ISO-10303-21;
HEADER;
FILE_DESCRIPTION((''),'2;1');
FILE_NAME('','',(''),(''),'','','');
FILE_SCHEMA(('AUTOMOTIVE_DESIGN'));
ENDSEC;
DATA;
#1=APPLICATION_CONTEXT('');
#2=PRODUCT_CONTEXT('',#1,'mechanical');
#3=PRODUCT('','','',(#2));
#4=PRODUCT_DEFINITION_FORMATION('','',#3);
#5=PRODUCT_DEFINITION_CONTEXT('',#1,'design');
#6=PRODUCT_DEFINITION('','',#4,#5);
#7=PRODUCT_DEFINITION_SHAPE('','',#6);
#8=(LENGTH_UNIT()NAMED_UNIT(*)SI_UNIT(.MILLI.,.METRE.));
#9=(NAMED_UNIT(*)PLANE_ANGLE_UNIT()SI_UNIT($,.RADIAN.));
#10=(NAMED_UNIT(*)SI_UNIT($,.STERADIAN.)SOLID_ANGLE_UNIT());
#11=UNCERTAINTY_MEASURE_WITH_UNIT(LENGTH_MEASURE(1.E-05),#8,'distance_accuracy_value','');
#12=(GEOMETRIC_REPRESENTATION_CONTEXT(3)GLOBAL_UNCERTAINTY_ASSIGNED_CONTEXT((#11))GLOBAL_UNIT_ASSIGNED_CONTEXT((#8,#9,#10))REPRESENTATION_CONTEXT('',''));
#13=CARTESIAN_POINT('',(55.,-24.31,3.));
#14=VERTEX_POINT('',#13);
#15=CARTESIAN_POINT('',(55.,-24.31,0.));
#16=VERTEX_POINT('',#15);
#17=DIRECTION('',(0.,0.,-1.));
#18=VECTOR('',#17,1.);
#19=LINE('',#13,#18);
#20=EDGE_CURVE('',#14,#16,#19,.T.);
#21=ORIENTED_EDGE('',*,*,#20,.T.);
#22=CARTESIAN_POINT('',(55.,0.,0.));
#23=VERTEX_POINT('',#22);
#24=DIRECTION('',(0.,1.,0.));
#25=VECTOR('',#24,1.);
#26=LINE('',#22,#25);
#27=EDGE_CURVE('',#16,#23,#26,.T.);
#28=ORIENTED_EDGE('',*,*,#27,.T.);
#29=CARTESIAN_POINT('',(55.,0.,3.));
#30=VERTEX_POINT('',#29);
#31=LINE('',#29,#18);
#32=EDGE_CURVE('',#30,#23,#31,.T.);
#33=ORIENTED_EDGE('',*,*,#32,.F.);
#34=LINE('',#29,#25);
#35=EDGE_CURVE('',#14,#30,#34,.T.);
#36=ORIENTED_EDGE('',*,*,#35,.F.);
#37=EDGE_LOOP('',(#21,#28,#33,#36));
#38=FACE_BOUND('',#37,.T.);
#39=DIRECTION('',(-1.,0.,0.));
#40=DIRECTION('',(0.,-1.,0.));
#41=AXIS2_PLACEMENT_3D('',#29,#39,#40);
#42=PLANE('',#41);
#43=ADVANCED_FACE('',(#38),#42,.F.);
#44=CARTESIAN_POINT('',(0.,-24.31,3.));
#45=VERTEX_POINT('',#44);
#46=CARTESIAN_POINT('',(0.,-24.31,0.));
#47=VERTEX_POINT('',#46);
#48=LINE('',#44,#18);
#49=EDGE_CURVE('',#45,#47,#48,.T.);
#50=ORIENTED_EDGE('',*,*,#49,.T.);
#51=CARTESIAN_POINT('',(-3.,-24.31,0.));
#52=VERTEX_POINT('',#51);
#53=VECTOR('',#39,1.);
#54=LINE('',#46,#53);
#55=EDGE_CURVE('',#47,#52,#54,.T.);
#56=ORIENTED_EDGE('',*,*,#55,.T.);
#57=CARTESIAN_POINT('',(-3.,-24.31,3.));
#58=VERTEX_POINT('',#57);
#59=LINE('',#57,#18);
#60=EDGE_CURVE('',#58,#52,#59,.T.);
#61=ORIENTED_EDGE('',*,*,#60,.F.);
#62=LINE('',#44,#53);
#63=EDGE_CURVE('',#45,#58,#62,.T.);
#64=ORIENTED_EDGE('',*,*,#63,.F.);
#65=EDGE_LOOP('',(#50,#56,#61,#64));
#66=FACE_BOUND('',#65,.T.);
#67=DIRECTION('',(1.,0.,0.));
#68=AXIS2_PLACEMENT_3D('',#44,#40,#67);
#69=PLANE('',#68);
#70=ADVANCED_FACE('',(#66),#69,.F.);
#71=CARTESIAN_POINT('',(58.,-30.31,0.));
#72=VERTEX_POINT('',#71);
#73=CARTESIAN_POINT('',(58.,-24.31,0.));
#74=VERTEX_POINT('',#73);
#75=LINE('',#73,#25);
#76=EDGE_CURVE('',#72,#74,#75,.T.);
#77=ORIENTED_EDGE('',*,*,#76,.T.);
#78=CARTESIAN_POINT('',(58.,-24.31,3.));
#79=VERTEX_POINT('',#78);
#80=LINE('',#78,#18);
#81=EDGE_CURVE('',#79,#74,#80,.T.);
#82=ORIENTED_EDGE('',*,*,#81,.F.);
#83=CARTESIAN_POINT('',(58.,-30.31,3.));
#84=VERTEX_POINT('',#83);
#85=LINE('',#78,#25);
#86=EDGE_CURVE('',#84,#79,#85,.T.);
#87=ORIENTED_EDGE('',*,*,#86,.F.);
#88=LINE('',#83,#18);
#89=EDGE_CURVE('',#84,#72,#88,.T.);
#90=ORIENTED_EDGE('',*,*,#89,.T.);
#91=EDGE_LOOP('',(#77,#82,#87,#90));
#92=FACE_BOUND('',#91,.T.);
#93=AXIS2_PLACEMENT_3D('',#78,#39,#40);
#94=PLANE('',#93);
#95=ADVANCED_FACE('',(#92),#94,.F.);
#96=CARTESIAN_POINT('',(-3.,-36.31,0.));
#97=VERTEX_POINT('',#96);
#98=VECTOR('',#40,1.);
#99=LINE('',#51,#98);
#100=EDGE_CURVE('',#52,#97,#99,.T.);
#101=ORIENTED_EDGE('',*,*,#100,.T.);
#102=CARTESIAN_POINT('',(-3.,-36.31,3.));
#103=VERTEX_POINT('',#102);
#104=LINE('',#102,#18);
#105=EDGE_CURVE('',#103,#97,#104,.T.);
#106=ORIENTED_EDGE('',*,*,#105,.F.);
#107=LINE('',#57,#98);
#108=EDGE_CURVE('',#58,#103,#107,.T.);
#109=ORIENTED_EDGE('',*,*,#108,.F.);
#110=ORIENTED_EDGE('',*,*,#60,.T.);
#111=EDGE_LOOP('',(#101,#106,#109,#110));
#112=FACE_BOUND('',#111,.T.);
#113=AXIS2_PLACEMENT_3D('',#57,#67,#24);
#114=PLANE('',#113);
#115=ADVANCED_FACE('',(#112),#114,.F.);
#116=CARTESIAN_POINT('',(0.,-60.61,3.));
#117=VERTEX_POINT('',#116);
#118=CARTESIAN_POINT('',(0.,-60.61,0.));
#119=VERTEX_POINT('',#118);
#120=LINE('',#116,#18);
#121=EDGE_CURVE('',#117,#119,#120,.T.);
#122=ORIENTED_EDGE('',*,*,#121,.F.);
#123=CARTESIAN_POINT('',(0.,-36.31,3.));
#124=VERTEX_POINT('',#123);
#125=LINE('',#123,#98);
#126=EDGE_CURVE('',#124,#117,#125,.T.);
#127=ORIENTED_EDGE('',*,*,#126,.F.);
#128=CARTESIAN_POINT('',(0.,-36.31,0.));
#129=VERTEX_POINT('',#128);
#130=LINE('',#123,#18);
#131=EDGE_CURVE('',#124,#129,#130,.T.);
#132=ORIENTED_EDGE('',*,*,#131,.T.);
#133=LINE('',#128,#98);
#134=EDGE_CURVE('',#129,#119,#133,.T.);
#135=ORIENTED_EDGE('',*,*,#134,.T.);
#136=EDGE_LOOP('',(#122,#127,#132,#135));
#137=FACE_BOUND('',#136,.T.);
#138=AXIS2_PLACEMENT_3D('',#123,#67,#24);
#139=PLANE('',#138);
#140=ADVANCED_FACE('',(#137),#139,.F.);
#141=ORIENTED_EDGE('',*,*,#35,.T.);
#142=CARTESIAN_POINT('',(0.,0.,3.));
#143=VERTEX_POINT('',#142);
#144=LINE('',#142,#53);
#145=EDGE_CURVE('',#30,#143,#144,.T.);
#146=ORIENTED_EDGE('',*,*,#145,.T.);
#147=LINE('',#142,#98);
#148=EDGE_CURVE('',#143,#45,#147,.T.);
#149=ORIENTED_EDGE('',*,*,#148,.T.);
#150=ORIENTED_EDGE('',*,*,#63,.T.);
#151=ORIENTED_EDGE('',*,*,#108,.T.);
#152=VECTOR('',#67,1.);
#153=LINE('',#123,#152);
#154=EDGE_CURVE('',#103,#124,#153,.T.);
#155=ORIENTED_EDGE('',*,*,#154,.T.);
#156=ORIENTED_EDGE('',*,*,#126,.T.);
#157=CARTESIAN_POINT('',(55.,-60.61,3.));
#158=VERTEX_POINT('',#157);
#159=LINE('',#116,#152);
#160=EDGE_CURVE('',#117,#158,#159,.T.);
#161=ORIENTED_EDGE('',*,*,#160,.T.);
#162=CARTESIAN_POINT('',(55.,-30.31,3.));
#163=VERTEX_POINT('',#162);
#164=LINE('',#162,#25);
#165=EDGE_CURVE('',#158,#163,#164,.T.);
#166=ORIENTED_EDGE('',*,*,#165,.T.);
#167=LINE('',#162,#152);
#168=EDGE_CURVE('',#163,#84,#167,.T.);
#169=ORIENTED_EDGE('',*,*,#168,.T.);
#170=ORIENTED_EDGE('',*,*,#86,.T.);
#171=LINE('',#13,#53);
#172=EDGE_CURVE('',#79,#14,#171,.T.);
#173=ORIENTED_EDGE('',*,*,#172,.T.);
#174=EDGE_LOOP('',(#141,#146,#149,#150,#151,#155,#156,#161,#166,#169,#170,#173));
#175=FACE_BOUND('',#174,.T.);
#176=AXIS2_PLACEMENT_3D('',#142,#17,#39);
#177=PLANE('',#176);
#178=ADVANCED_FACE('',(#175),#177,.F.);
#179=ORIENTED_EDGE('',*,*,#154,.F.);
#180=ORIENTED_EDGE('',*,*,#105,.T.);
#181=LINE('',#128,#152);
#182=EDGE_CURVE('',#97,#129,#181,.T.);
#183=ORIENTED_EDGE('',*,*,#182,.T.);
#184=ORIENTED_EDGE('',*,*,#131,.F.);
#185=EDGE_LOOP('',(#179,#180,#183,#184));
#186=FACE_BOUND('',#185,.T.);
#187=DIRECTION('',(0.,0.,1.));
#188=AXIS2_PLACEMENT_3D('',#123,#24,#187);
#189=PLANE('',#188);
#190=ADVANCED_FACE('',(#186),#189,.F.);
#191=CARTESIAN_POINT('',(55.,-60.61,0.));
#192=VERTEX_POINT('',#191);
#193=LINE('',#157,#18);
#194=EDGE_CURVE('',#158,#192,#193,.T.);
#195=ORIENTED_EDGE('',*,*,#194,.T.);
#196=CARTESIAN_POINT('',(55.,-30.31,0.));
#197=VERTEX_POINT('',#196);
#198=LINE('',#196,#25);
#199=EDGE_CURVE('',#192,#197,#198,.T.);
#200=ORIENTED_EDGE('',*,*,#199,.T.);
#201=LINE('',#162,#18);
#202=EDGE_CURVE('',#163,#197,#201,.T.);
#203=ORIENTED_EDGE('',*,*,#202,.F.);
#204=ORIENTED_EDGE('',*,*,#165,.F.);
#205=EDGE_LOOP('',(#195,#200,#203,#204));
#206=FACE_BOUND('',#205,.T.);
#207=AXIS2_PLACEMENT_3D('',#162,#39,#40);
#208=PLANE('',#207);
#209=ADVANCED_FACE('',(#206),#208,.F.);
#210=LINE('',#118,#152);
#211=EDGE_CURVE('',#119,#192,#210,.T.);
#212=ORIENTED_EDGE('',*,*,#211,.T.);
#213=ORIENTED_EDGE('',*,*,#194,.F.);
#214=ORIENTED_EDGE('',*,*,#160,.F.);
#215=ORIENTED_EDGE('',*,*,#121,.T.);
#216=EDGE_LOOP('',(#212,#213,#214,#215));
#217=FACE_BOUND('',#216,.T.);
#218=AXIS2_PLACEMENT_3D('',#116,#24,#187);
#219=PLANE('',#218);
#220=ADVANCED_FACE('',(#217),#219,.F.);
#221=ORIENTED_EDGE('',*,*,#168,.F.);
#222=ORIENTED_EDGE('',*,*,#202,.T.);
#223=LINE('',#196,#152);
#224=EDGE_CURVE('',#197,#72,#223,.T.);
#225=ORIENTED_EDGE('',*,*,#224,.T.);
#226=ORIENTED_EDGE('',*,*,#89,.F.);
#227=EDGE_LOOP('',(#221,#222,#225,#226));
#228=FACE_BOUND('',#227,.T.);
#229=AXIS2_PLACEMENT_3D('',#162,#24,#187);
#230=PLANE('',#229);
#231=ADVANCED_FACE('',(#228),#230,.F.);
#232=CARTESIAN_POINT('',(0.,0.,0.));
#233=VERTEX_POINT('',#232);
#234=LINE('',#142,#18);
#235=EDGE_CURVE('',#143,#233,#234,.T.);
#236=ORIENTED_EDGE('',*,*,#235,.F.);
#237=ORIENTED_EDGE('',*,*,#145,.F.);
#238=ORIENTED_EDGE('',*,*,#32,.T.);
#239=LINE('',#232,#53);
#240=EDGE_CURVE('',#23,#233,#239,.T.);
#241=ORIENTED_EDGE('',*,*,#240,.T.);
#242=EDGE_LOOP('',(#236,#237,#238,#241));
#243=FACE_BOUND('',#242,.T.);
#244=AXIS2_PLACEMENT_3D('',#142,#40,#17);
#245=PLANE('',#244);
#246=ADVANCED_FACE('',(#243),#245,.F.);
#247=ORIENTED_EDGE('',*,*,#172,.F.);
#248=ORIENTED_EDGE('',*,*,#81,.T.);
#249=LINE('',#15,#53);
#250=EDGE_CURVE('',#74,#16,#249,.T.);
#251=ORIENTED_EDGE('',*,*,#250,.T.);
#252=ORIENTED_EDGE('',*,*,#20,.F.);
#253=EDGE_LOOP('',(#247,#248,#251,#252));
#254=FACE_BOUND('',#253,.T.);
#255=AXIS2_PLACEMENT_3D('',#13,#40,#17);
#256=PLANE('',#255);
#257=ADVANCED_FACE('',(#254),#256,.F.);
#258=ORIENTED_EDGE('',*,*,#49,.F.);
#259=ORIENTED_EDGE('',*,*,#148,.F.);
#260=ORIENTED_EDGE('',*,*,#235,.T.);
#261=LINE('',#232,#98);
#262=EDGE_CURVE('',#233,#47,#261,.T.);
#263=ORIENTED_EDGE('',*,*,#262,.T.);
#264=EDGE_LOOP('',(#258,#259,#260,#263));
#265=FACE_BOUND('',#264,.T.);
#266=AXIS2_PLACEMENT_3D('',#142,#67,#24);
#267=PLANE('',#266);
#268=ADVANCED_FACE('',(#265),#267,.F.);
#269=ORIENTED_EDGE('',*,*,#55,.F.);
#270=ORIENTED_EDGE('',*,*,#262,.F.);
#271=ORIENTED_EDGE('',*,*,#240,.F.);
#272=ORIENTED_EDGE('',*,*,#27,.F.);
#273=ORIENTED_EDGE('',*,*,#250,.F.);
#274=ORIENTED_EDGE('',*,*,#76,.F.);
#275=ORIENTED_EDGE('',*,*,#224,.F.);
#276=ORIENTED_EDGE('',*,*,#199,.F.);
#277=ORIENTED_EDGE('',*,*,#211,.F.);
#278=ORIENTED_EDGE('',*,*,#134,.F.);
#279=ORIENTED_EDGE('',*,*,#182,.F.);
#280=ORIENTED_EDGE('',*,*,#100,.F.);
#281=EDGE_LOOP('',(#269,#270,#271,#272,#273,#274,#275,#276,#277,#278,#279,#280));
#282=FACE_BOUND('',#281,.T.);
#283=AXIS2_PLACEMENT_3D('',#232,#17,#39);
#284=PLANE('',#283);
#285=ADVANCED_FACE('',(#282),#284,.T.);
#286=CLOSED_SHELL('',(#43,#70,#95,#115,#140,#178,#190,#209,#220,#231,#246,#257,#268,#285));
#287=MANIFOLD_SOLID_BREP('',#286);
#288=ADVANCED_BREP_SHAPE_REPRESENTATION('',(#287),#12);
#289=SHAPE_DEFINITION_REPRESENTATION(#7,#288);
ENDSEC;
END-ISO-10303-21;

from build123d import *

# Parameters (mm, degrees)
P_IDAT_VYSUNUT_M1_DEPTH = 3


with BuildPart() as part:
    # Skica1 → Přidat vysunutím1 (new body)
    with BuildSketch(Plane.XY):
        Polygon((55, -30.31), (55, -60.61), (0, -60.61), (0, -36.31), (-3, -36.31), (-3, -24.31), (0, -24.31), (0, 0), (55, 0), (55, -24.31), (58, -24.31), (58, -30.31), align=None)
    extrude(amount=P_IDAT_VYSUNUT_M1_DEPTH)


solid = part.part
